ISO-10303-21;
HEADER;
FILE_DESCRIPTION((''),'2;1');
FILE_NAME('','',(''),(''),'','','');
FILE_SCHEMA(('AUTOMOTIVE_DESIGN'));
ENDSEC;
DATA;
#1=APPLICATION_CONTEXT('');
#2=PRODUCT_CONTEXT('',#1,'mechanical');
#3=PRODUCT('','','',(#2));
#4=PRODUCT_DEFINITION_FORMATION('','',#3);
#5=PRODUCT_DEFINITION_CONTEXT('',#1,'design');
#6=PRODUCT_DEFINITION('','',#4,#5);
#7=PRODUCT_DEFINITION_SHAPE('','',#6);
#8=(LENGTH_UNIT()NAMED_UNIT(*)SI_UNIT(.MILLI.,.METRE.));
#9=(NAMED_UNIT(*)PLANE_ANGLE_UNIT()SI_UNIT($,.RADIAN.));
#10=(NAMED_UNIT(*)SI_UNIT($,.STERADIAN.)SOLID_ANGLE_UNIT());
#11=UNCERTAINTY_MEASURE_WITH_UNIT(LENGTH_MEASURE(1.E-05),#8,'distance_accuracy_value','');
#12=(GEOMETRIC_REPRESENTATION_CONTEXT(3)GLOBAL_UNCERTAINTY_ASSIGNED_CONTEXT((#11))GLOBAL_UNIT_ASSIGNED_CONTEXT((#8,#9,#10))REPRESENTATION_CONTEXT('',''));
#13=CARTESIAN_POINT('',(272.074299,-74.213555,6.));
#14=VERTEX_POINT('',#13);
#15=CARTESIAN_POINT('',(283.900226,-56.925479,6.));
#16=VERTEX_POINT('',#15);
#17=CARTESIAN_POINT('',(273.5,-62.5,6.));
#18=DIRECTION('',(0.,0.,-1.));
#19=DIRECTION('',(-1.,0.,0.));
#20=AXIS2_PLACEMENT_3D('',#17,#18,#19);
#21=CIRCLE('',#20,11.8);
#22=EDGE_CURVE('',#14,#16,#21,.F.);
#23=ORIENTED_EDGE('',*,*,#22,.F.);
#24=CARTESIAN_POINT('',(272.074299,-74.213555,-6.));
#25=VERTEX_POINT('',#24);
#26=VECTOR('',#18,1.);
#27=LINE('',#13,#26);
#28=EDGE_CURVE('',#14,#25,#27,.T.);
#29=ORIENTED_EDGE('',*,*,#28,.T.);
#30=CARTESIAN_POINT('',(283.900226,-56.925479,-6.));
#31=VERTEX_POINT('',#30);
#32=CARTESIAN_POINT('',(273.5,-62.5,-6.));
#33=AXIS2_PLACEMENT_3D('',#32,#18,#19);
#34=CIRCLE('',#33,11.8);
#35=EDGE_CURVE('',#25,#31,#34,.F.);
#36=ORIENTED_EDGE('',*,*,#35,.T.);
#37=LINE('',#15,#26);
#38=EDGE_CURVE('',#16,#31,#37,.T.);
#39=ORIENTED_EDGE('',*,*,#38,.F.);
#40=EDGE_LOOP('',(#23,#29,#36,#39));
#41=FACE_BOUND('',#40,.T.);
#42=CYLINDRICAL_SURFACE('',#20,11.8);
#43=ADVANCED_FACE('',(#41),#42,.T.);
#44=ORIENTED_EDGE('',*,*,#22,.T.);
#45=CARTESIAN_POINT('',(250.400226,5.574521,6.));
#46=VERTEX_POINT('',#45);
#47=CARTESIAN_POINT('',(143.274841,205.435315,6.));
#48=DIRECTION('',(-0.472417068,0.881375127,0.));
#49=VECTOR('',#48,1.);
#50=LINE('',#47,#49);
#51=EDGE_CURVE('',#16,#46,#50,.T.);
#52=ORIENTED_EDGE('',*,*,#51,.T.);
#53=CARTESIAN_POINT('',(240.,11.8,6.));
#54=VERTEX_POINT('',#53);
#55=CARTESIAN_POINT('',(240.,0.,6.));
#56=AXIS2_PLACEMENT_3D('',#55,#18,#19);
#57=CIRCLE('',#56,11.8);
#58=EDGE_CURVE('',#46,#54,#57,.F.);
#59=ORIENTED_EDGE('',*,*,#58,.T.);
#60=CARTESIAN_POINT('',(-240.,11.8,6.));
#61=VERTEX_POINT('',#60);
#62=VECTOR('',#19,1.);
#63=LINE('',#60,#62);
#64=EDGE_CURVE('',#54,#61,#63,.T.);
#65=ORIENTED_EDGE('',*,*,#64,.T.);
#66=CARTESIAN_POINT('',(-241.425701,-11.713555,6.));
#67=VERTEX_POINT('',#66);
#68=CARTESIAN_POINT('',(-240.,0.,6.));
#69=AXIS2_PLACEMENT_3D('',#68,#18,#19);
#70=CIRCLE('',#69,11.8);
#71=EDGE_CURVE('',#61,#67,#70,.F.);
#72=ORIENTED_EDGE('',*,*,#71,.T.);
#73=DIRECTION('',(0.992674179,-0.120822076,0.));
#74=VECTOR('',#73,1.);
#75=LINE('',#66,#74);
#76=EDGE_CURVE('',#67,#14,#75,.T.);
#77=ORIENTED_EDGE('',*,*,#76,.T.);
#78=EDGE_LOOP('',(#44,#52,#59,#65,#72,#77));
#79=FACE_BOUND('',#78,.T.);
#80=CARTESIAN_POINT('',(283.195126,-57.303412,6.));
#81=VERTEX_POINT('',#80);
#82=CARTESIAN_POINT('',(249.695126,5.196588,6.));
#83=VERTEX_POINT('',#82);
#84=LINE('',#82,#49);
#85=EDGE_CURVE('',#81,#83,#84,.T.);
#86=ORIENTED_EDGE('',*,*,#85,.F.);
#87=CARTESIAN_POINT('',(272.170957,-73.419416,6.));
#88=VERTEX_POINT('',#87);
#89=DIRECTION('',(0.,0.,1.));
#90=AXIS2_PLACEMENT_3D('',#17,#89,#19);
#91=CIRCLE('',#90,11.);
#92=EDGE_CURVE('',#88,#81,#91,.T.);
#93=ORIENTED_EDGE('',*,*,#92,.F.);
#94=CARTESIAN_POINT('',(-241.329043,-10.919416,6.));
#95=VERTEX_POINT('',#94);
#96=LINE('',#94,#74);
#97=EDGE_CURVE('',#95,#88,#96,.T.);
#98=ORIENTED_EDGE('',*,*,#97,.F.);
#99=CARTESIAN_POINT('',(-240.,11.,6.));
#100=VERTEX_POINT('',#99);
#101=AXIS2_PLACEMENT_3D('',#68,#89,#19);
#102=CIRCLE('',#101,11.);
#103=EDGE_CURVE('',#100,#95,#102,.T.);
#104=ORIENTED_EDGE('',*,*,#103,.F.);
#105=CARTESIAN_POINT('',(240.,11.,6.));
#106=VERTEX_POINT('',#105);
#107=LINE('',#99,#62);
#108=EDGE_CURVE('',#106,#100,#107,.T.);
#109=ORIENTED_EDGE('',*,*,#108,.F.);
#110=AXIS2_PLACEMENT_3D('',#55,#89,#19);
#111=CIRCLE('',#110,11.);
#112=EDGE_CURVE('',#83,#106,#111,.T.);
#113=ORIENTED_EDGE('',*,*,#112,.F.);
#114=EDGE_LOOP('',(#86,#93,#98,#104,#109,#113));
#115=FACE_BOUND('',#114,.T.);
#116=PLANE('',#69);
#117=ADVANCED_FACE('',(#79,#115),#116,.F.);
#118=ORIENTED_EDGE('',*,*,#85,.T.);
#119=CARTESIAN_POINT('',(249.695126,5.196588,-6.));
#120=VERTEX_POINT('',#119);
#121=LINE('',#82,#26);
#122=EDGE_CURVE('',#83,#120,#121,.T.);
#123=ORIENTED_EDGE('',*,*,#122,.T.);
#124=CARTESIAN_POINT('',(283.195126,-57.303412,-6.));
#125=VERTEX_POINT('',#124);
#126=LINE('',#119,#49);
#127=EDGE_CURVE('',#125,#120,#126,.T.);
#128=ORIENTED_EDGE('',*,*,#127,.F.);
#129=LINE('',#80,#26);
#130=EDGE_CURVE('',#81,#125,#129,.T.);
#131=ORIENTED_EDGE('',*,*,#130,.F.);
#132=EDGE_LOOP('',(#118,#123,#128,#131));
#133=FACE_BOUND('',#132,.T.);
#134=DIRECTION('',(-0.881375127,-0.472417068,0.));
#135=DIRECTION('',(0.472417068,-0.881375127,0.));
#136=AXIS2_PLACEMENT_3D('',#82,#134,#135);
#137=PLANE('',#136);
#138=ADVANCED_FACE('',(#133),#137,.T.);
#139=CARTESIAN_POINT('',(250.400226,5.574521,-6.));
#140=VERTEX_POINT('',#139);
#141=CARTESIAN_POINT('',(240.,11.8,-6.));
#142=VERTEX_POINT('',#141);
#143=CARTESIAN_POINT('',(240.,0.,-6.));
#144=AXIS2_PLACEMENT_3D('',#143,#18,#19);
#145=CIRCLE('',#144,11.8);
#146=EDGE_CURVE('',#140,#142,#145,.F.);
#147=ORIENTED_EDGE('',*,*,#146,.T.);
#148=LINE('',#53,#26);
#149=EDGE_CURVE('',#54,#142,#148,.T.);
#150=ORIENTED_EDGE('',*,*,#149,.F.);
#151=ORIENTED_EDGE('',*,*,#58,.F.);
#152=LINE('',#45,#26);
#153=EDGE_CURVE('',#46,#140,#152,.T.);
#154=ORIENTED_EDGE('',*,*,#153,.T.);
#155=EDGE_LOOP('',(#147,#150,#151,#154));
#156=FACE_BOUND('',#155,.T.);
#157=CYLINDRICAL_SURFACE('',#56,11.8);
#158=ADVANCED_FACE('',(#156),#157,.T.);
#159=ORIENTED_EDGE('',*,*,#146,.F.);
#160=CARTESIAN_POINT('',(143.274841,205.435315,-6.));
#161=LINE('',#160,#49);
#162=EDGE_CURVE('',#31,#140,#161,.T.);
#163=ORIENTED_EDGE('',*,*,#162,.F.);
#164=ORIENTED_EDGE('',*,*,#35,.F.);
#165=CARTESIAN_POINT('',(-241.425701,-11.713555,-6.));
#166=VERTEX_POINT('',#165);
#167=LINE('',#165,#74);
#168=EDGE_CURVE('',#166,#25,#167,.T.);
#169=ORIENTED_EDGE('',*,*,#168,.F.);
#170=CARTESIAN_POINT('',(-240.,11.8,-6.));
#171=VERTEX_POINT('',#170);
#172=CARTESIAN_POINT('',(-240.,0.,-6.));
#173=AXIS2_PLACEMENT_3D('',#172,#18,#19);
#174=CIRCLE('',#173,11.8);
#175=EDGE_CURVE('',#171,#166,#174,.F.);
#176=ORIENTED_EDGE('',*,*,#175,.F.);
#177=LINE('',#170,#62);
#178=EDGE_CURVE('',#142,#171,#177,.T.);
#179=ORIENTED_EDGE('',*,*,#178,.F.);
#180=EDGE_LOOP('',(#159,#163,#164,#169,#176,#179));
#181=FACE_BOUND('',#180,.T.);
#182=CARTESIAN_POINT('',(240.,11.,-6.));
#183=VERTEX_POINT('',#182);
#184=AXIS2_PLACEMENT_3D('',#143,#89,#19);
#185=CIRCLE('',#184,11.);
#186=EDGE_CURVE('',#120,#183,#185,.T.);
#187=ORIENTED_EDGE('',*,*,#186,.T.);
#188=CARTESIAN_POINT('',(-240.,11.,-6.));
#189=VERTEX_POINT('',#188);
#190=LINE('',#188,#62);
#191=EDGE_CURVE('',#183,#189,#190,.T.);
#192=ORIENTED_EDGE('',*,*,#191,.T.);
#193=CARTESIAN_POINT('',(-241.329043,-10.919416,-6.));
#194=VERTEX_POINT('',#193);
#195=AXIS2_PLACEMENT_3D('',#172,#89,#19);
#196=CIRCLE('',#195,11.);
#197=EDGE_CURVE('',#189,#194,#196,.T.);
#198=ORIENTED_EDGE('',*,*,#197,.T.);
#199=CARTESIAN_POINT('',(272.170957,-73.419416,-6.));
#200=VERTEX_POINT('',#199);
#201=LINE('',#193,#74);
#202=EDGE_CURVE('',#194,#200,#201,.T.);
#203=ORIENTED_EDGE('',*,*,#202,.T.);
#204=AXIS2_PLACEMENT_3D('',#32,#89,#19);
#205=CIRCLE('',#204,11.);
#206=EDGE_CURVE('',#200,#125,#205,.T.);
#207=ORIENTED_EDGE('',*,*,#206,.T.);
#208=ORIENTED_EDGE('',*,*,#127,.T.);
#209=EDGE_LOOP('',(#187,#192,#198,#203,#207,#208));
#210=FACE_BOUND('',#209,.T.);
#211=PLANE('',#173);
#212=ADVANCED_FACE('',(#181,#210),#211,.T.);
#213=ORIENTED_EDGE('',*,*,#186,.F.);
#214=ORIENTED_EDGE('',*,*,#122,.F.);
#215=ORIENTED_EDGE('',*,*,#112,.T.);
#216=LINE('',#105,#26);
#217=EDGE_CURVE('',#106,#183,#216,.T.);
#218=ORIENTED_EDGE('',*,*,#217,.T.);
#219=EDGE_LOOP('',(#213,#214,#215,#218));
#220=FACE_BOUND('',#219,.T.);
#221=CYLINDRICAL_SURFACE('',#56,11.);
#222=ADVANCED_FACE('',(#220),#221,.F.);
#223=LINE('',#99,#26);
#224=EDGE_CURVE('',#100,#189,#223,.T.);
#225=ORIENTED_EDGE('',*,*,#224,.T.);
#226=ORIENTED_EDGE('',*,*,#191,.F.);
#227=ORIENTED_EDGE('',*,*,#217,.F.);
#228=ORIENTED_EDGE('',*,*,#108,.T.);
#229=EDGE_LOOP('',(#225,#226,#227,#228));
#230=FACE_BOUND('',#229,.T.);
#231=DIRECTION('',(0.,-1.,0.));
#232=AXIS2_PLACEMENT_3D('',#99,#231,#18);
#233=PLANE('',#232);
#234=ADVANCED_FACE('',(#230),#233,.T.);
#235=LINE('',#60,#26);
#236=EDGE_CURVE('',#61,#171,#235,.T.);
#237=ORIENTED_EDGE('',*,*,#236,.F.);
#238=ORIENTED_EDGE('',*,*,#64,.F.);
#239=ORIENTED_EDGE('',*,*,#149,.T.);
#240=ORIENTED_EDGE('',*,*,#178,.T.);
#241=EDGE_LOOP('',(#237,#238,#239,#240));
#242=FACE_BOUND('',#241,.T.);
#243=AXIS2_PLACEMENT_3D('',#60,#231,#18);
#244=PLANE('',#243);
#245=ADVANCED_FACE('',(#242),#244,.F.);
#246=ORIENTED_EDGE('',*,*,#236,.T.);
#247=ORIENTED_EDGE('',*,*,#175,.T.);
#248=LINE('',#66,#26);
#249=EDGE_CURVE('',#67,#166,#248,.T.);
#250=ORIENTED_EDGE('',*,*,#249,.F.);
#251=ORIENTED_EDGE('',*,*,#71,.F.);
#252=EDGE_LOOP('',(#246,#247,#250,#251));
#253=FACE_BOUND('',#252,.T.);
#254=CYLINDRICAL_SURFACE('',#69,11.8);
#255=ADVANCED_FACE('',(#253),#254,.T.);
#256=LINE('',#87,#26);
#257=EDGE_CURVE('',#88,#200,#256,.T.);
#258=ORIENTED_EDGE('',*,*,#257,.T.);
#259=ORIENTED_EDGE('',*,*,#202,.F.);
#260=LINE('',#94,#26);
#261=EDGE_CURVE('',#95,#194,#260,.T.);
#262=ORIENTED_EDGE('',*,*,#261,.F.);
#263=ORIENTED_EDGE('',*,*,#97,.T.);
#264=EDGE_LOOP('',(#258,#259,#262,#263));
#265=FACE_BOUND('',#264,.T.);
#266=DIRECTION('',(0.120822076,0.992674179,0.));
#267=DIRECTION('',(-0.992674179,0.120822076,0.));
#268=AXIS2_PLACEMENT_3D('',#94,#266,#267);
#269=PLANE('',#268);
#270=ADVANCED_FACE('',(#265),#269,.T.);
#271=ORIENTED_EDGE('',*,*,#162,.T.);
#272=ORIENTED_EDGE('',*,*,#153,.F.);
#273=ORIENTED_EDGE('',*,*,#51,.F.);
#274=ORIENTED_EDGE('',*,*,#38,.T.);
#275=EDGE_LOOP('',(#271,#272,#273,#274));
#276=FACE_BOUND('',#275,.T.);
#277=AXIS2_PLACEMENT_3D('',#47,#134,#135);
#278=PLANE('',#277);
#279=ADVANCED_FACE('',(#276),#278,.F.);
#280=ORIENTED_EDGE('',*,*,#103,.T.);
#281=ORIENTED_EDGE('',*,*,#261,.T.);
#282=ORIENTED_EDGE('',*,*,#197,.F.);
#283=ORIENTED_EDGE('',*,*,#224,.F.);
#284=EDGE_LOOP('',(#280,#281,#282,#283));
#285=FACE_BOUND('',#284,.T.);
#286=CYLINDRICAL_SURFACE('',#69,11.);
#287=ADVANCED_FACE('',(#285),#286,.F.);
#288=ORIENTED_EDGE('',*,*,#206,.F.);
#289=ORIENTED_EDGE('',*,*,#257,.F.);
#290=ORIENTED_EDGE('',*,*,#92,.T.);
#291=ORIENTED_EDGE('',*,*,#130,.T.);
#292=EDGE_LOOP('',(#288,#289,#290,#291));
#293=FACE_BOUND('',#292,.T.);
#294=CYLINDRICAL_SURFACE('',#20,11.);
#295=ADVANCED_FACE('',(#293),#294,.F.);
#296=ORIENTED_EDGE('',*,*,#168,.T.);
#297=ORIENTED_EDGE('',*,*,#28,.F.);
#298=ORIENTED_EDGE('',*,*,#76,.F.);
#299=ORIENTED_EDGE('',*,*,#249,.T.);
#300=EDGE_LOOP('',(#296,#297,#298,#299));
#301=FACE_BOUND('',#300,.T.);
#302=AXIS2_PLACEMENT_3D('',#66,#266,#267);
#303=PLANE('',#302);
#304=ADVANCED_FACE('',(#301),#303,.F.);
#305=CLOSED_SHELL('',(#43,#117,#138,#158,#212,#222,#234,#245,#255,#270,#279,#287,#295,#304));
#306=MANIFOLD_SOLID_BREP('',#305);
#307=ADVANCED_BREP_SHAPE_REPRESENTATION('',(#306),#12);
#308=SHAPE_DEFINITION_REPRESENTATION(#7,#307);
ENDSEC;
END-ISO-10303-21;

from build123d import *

# Parameters (mm, degrees)
LINEAR_AUSTRAGEN_D_NN1_DEPTH = 6


with BuildPart() as part:
    # Skizze1 → Linear-Austragen-Dünn1 (new, symmetric)
    with BuildSketch(Plane.XY):
        with BuildLine():
            Line((-240, 11.8), (240, 11.8))
            ThreePointArc((240, 11.8), (246.060554738, 10.124706231), (250.400226495, 5.574521401))
            Line((250.400226495, 5.574521401), (283.900226495, -56.925478599))
            ThreePointArc((283.900226495, -56.925478599), (283.239349482, -69.16221222), (272.074299499, -74.213555313))
            Line((272.074299499, -74.213555313), (-241.425700501, -11.713555313))
            ThreePointArc((-241.425700501, -11.713555313), (-251.778369002, 0.714159401), (-240, 11.8))
        make_face()
        with BuildLine():
            Line((-240, 11), (240, 11))
            ThreePointArc((240, 11), (245.649669671, 9.43828547), (249.695126394, 5.196587747))
            Line((249.695126394, 5.196587747), (283.195126394, -57.303412253))
            ThreePointArc((283.195126394, -57.303412253), (282.579054602, -68.710536816), (272.17095716, -73.41941597))
            Line((272.17095716, -73.41941597), (-241.32904284, -10.91941597))
            ThreePointArc((-241.32904284, -10.91941597), (-250.97983551, 0.665741815), (-240, 11))
        make_face(mode=Mode.SUBTRACT)
    extrude(amount=LINEAR_AUSTRAGEN_D_NN1_DEPTH, both=True)


solid = part.part
